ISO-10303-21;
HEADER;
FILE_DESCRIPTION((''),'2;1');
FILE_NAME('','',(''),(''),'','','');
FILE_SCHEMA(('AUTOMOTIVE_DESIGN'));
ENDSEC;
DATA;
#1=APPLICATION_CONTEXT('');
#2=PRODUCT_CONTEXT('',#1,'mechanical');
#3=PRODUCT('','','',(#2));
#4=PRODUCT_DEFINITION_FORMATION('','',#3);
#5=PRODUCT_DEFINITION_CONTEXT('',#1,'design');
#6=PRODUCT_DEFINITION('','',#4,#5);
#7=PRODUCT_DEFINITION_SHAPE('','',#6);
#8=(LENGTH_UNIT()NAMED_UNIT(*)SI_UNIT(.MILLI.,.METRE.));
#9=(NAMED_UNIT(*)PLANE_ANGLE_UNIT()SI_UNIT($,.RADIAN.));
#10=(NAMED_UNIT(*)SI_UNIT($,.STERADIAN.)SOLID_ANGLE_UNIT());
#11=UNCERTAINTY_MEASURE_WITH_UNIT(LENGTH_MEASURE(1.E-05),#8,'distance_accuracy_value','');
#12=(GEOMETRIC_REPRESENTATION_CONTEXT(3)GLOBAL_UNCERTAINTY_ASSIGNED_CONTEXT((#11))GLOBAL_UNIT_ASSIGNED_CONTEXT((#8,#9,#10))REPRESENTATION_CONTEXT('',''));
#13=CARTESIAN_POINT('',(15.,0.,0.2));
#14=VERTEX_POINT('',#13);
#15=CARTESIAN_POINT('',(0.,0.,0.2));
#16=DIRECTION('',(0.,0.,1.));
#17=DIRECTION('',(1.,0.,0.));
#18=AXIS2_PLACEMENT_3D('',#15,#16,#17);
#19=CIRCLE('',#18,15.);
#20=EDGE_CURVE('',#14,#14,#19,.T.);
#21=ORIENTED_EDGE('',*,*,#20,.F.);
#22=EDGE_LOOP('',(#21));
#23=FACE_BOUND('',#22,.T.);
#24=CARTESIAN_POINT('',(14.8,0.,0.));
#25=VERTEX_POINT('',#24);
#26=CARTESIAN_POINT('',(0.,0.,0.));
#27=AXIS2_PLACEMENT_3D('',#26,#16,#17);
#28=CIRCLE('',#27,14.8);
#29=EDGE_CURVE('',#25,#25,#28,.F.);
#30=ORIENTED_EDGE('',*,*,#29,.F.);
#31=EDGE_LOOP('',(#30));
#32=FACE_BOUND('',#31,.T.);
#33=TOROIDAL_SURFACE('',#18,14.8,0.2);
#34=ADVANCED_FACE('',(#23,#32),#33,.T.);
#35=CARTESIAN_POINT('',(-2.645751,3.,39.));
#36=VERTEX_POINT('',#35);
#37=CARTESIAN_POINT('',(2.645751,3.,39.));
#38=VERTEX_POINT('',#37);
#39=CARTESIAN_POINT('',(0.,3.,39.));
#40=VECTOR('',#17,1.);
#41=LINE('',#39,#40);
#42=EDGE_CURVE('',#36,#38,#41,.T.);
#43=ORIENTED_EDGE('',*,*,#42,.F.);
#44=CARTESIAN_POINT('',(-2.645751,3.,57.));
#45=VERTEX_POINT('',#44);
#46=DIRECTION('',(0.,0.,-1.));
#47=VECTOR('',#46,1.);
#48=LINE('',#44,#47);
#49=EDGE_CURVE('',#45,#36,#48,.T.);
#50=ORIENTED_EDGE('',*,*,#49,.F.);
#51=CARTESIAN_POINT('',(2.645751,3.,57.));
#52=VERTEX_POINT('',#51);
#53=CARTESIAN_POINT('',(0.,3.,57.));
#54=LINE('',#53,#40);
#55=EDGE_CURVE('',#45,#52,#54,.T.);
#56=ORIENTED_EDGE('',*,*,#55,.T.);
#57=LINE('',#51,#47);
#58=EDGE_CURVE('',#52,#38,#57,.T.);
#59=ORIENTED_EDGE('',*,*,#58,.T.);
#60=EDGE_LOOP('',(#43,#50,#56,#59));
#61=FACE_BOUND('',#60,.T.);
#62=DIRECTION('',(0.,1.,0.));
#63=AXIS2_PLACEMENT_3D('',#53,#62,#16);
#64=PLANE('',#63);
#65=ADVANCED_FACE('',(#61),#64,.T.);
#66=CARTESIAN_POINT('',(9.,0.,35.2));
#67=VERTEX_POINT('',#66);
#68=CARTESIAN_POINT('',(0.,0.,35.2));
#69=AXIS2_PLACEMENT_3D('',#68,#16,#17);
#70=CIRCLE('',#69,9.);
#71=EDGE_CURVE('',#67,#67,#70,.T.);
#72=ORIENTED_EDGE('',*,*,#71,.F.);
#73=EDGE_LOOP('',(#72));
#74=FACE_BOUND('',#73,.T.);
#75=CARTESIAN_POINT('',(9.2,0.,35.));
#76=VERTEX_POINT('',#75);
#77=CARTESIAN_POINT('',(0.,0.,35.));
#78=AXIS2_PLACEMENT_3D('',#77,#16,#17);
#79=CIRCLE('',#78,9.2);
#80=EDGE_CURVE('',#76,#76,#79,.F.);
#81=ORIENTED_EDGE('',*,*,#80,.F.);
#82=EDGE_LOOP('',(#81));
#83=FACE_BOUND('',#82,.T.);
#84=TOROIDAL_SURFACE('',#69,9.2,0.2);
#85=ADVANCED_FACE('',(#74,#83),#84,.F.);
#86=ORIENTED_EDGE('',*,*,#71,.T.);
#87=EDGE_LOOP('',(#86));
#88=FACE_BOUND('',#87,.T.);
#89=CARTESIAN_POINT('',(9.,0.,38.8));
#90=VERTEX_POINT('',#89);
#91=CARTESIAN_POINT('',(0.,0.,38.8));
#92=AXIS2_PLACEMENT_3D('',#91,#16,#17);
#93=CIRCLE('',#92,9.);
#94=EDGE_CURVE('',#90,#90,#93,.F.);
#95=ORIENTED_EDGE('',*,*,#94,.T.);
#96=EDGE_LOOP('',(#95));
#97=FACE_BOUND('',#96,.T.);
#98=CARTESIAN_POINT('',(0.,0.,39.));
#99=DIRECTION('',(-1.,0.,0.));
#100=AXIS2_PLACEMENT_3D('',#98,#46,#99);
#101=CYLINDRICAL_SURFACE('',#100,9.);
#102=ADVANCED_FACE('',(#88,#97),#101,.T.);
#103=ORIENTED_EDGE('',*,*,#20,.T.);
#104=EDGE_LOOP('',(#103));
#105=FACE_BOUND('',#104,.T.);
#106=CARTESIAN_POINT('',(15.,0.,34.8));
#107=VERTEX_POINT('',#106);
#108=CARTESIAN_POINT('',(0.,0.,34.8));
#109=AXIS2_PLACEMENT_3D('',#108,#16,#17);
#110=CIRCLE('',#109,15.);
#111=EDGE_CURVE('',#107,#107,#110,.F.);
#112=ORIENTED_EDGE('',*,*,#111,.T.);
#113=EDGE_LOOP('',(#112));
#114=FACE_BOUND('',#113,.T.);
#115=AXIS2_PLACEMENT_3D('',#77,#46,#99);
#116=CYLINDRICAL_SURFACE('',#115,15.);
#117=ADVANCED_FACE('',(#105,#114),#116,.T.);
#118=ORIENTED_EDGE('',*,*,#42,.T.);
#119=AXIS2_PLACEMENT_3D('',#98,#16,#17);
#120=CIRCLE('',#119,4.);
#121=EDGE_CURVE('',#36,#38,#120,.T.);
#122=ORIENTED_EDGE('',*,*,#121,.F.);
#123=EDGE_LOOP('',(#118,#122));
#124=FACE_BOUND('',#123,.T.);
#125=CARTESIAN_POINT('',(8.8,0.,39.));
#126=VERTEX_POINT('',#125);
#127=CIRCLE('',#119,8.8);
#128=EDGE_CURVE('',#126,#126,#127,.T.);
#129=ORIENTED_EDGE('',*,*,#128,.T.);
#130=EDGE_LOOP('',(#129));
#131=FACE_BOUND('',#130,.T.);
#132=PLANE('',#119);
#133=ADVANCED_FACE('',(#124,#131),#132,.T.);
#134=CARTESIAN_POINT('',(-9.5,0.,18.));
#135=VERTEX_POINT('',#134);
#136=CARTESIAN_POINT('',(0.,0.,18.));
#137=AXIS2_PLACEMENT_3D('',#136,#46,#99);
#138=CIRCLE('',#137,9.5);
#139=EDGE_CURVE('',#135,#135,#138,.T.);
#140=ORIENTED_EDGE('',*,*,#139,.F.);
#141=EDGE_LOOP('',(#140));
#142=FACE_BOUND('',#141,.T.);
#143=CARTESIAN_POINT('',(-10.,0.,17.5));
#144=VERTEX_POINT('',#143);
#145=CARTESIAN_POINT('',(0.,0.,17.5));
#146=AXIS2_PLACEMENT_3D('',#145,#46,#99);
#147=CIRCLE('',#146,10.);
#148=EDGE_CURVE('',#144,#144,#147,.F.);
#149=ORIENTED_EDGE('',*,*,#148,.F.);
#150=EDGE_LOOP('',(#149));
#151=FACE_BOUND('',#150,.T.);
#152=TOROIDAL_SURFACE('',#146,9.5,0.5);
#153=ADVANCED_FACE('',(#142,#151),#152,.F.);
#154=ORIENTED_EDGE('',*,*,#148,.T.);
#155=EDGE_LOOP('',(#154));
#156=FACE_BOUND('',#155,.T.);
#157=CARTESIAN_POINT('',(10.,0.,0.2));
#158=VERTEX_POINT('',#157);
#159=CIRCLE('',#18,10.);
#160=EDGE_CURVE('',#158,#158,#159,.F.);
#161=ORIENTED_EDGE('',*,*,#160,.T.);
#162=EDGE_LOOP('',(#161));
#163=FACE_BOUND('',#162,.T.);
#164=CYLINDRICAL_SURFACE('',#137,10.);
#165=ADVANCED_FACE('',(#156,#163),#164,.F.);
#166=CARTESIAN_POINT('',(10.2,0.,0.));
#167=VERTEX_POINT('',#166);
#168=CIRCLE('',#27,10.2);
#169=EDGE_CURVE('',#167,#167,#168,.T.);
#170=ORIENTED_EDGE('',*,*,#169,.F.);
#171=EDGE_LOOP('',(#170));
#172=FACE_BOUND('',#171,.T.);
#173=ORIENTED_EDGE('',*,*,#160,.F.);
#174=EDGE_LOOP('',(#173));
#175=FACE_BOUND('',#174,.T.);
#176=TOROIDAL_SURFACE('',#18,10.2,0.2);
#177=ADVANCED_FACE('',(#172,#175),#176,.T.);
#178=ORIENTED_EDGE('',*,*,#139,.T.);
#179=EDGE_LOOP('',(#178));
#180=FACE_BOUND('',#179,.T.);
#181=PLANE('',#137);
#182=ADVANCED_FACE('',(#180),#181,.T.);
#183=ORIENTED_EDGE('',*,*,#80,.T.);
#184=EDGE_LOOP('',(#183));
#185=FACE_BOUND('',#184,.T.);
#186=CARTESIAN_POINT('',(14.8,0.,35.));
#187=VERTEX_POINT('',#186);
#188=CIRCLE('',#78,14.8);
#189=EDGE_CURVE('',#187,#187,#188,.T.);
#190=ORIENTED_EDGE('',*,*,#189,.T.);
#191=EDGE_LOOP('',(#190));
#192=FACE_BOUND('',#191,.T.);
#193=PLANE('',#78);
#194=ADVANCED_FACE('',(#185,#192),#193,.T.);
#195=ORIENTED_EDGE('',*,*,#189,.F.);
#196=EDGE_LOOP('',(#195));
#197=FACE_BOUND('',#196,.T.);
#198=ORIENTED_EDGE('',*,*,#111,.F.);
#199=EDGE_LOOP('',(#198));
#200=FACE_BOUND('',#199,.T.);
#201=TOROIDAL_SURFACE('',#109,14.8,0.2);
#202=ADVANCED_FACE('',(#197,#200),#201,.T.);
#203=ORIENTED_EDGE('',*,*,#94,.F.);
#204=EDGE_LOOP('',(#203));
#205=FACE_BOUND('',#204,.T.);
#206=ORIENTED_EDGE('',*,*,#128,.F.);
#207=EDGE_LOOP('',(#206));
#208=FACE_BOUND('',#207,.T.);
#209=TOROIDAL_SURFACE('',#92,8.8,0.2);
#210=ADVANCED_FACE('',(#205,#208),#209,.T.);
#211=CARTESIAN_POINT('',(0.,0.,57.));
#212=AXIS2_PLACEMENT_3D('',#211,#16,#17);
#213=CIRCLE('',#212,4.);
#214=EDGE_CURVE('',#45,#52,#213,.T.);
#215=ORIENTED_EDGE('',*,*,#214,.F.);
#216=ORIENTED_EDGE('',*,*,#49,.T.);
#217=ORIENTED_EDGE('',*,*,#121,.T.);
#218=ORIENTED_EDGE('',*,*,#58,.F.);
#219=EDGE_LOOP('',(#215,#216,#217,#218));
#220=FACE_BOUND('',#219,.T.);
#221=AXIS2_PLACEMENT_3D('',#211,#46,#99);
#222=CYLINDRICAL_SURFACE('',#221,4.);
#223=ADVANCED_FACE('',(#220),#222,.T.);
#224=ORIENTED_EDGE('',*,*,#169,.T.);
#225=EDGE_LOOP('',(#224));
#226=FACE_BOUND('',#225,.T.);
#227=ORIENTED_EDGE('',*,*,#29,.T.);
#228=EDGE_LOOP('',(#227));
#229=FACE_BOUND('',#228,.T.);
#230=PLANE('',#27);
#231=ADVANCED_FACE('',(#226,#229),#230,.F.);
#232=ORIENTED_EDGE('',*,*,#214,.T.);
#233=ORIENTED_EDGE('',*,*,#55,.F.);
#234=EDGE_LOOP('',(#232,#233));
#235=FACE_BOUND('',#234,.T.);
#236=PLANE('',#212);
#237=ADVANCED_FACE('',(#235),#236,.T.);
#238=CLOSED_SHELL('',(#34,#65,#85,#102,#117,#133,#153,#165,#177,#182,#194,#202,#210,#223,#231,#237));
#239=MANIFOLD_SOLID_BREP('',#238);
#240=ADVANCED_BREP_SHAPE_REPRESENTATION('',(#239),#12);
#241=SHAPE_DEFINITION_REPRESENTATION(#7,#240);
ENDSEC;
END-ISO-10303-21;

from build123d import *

# Parameters (mm, degrees)
ESQUISSE1_R             = 15
BOSS_EXTRU_1_DEPTH      = 35
ESQUISSE2_R             = 9
BOSS_EXTRU_2_DEPTH      = 4
BOSS_EXTRU_3_DEPTH      = 18
ESQUISSE4_R             = 10
ENL_V_MAT_EXTRU_1_DEPTH = 18
CONG_1_R                = 0.2
CONG_2_R                = 0.5


with BuildPart() as part:
    # Esquisse1 → Boss.-Extru.1 (new body)
    with BuildSketch(Plane.XY):
        Circle(ESQUISSE1_R)
    extrude(amount=BOSS_EXTRU_1_DEPTH)

    # Esquisse2 → Boss.-Extru.2 (add)
    with BuildSketch(Plane.XY.offset(35)):
        Circle(ESQUISSE2_R)
    extrude(amount=BOSS_EXTRU_2_DEPTH)

    # Esquisse3 → Boss.-Extru.3 (add)
    with BuildSketch(Plane.XY.offset(39)):
        with BuildLine():
            Line((2.645751311, 3), (-2.645751311, 3))
            ThreePointArc((-2.645751311, 3), (-1.645751311, -3.645751311), (4, 0))
            ThreePointArc((4, 0), (3.645751311, 1.645751311), (2.645751311, 3))
        make_face()
    extrude(amount=BOSS_EXTRU_3_DEPTH)

    # Esquisse4 → Enlèv. mat.-Extru.1 (cut)
    with BuildSketch(Plane(origin=(0, 0, 0), x_dir=(-1, 0, 0), z_dir=(0, 0, -1))):
        Circle(ESQUISSE4_R)
    extrude(amount=-ENL_V_MAT_EXTRU_1_DEPTH, mode=Mode.SUBTRACT)

    # Congé1
    cong_1_edges = [part.edges().sort_by_distance(p)[0] for p in [
        (-15, 0, 0),
        (10, 0, 0),
        (-15, 0, 35),
        (-9, 0, 35),
        (-9, 0, 39),
    ]]
    fillet(cong_1_edges, radius=CONG_1_R)

    # Congé2
    cong_2_edges = [part.edges().sort_by_distance(p)[0] for p in [
        (10, 0, 18),
    ]]
    fillet(cong_2_edges, radius=CONG_2_R)


solid = part.part
